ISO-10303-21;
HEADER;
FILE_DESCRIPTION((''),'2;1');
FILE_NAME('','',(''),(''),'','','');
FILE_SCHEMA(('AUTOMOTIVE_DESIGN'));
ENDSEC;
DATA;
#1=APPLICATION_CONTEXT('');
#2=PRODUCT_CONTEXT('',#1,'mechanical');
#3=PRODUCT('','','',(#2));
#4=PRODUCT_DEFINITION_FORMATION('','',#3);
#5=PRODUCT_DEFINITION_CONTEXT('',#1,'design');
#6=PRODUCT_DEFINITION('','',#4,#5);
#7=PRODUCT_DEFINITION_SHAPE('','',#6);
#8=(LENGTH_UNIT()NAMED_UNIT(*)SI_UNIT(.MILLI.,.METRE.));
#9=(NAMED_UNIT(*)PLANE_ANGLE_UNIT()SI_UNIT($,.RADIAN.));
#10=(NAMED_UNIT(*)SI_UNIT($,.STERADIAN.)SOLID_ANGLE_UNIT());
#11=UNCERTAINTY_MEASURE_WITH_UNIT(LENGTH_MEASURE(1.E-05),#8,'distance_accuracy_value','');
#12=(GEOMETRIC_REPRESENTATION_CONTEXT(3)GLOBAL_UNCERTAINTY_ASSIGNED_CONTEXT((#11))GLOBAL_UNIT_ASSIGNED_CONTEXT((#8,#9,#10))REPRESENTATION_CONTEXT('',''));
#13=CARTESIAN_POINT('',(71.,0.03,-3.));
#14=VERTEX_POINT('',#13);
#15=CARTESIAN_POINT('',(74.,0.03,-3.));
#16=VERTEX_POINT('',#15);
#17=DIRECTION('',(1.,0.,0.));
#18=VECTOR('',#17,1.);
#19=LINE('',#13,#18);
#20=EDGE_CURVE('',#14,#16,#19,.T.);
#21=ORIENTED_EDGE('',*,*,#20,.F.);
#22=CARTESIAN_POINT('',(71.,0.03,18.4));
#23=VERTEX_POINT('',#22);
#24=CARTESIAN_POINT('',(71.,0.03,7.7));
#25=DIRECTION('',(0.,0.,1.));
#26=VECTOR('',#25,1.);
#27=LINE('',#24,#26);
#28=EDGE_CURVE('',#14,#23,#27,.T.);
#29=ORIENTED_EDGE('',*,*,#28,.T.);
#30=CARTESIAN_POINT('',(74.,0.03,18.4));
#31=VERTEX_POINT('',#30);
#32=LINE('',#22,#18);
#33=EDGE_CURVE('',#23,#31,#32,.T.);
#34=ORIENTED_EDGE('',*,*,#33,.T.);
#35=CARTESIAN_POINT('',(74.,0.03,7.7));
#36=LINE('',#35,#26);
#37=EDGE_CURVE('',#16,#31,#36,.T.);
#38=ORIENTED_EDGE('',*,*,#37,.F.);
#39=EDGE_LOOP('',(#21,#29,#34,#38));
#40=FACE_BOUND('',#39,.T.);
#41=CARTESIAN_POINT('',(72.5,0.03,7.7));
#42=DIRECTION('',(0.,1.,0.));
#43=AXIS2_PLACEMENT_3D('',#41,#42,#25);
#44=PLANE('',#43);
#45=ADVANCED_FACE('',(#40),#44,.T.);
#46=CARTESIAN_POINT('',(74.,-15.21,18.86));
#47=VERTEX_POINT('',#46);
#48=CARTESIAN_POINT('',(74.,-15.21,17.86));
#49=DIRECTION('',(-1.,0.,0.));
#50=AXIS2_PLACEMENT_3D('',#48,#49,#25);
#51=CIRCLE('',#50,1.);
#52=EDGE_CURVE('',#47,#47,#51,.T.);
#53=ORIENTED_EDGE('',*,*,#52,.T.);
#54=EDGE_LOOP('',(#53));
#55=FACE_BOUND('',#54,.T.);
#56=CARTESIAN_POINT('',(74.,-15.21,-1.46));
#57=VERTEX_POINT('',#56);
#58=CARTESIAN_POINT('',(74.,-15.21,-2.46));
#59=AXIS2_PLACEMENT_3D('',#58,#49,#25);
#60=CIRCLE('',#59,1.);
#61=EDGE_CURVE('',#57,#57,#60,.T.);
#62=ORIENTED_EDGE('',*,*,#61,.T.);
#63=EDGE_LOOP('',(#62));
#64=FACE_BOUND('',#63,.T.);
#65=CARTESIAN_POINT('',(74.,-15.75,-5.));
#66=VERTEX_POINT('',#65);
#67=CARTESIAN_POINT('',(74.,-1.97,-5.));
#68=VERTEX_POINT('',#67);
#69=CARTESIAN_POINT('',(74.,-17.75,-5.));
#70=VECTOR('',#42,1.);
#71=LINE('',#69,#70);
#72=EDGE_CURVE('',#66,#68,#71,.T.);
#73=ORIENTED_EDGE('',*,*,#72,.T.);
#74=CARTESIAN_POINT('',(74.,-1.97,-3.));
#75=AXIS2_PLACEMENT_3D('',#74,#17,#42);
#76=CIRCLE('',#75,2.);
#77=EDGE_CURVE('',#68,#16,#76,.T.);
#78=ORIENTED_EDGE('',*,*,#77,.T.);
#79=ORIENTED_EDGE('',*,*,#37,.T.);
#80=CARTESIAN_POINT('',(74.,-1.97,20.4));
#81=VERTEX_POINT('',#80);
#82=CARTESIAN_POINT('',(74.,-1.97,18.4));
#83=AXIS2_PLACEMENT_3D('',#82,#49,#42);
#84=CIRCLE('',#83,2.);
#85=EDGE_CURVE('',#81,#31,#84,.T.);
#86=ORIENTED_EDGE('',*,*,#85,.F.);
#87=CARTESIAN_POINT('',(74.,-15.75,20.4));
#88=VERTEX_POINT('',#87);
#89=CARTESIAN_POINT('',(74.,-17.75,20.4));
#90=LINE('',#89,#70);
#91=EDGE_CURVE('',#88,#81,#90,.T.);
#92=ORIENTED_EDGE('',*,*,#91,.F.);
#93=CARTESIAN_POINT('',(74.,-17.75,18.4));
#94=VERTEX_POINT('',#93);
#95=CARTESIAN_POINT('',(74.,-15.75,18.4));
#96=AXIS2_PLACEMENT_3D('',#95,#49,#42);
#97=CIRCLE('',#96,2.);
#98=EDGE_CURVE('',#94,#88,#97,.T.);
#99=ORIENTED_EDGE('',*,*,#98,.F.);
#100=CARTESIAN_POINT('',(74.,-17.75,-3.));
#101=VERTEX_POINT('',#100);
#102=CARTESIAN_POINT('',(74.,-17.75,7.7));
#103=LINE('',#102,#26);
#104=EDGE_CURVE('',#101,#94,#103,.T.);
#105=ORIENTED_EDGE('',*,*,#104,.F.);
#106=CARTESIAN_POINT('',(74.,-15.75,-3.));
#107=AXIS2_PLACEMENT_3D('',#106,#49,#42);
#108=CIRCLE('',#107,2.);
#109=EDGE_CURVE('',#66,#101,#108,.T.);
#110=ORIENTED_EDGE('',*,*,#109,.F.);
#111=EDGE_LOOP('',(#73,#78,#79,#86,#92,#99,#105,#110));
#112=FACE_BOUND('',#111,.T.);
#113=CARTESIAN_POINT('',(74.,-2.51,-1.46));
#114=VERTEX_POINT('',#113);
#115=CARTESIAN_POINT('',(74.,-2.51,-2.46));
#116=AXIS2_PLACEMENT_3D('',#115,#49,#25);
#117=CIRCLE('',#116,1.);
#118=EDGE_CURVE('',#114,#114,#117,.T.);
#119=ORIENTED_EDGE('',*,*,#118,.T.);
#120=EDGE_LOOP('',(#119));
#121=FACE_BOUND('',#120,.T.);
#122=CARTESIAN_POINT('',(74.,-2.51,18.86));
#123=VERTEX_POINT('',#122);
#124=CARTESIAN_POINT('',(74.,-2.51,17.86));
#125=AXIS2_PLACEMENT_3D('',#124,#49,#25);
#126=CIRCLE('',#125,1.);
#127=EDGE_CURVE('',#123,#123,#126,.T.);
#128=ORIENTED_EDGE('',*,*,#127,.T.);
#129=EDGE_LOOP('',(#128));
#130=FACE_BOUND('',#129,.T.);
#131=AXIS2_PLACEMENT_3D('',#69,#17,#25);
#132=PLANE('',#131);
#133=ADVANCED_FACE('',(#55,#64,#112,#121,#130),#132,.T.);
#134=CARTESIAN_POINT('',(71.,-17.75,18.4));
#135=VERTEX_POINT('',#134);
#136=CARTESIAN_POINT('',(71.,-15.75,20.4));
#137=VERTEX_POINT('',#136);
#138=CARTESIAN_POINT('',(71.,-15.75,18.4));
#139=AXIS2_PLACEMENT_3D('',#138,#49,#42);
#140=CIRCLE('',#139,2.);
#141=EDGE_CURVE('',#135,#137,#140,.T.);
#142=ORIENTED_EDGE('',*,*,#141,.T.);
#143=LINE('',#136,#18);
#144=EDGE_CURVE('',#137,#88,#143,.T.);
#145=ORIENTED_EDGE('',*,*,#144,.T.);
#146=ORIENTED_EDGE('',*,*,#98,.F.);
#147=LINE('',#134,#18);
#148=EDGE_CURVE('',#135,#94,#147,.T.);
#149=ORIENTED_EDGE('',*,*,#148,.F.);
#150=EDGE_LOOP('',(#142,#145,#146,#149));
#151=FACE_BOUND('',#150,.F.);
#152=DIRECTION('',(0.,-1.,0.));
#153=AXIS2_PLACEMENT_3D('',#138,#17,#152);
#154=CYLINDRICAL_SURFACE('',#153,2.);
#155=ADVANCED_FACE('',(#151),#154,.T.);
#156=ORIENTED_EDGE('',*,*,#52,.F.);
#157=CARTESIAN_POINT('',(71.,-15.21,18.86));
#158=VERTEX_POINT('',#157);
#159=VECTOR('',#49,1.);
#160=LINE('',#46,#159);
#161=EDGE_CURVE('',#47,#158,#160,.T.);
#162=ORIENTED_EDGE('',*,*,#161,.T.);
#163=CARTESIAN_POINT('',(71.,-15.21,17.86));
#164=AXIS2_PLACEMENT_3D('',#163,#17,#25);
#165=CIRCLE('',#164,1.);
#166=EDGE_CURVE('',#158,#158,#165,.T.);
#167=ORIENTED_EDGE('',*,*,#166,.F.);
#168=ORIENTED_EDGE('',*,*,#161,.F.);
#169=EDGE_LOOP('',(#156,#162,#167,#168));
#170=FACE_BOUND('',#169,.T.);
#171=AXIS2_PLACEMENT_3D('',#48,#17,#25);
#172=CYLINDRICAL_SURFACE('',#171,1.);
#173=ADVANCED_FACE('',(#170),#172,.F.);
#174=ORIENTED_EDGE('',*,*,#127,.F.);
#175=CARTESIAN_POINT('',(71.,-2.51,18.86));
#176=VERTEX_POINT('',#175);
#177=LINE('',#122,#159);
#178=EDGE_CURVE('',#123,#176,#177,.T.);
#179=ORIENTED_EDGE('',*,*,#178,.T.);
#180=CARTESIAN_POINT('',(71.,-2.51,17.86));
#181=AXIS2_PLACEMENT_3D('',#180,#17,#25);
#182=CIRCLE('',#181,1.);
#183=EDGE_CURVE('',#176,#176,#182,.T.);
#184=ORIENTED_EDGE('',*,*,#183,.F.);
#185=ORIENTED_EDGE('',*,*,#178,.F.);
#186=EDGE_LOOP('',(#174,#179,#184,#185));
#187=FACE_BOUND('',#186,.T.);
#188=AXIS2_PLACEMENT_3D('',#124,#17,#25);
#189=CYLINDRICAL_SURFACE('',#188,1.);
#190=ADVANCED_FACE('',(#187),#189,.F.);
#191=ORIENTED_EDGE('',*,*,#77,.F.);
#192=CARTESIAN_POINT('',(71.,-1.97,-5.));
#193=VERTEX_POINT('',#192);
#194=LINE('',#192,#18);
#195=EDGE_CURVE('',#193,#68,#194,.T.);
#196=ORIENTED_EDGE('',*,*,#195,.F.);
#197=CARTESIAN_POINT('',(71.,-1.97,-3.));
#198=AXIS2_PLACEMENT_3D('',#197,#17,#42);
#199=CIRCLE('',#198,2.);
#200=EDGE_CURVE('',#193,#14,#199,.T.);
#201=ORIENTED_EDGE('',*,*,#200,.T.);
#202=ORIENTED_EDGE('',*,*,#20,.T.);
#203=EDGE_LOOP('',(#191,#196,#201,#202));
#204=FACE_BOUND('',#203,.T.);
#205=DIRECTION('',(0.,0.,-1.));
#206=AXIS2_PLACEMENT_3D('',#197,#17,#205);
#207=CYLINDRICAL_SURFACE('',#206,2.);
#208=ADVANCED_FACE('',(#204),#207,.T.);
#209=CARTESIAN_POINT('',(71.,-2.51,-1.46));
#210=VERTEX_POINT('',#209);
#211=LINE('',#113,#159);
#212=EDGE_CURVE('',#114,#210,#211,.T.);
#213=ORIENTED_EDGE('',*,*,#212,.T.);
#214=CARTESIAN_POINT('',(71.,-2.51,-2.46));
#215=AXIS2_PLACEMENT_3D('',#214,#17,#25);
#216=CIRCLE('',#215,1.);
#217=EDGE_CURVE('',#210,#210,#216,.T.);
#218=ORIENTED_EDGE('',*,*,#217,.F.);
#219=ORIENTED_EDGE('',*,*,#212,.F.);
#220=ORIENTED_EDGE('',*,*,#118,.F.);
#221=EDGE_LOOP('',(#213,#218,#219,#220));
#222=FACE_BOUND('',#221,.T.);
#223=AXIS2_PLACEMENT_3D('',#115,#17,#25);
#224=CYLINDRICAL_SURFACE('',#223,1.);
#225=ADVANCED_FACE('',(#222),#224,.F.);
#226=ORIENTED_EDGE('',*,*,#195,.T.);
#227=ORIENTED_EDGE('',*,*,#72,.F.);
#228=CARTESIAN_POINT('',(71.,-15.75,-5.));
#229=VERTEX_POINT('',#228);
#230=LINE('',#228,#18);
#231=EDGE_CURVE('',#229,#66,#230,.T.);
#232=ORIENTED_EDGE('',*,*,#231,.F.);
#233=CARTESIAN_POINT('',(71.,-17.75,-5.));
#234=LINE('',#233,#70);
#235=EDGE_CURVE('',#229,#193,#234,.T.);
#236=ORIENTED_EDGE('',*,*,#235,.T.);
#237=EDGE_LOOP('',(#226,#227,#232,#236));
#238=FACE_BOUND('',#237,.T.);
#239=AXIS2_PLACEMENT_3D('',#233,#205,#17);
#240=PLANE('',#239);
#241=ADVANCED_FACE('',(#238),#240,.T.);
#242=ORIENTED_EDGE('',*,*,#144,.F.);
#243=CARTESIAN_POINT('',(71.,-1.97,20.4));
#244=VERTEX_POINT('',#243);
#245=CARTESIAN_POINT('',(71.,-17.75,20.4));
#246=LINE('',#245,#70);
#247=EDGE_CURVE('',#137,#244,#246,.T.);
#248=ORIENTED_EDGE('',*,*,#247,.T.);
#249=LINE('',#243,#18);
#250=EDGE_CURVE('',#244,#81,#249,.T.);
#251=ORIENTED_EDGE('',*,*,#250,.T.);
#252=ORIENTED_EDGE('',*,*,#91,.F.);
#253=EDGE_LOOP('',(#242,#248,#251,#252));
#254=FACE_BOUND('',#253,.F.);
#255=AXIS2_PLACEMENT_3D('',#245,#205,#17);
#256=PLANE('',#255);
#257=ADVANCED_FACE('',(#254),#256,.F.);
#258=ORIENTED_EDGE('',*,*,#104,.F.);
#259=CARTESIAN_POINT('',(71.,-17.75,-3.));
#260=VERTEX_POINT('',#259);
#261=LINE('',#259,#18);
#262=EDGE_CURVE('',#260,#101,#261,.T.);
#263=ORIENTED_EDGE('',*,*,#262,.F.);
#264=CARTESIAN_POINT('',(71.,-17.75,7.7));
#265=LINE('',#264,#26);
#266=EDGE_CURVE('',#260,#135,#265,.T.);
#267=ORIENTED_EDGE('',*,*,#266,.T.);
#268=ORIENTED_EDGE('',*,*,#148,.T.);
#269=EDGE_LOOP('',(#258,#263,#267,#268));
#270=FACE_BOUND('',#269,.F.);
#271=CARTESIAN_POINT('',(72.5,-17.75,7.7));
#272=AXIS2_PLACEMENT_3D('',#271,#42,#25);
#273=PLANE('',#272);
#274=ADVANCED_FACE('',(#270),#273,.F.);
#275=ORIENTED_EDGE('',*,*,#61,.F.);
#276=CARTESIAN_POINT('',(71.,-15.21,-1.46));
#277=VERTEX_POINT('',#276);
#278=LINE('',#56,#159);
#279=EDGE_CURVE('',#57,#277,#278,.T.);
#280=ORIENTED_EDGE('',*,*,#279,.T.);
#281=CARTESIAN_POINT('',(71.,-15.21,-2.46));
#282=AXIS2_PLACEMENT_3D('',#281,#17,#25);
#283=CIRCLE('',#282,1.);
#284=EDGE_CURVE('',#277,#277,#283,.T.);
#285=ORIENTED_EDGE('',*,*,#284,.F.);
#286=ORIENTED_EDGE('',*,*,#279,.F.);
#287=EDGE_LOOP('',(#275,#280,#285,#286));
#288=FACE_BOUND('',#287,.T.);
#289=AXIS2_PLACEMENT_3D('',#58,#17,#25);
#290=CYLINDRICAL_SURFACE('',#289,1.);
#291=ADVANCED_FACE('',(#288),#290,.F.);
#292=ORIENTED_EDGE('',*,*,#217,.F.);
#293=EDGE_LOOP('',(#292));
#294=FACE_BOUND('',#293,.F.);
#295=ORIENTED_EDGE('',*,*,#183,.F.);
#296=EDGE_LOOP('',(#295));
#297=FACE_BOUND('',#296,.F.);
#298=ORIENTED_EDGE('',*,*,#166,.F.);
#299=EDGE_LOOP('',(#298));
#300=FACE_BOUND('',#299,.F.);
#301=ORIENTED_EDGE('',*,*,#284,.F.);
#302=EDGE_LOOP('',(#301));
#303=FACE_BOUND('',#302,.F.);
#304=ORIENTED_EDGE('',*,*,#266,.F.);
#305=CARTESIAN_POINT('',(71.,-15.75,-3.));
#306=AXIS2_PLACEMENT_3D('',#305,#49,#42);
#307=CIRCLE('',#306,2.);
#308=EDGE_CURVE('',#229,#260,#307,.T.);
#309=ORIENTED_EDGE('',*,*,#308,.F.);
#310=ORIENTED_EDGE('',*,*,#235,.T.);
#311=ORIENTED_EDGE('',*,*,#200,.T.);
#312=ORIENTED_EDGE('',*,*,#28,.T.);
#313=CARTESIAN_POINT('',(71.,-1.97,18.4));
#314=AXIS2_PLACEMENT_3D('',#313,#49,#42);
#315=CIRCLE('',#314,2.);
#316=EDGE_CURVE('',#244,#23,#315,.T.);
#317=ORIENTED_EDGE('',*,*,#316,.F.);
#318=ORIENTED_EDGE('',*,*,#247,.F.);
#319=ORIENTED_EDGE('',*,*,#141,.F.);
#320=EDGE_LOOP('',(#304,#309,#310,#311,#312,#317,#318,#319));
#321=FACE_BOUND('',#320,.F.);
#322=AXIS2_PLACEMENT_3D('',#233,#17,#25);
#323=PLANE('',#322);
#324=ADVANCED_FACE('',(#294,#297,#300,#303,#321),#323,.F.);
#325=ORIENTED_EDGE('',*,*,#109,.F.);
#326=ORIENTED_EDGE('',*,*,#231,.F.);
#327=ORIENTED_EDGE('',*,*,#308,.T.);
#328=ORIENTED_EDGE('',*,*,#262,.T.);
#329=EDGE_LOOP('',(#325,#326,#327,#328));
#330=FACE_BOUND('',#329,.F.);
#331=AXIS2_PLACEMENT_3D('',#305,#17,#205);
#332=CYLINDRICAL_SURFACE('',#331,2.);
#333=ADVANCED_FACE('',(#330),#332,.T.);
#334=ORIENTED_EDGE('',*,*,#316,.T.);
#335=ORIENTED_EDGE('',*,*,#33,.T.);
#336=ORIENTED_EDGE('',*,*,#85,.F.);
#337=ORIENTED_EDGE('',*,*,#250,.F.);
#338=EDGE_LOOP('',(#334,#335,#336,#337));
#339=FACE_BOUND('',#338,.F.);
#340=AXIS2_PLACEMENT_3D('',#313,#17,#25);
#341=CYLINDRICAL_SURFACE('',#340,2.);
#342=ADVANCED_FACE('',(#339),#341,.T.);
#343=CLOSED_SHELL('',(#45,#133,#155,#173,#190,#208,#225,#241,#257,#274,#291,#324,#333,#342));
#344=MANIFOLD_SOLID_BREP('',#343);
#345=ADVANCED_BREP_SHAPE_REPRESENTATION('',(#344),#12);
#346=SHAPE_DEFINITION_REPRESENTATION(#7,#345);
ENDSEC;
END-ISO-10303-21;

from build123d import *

# Parameters (mm, degrees)
CYLINDER004_R             = 1
CYLINDER004_DEPTH         = 10
CYLINDER005_R             = 1
CYLINDER005_DEPTH         = 10
CYLINDER006_R             = 1
CYLINDER006_DEPTH         = 10
CYLINDER007_R             = 1
CYLINDER007_DEPTH         = 10
BOX003_W                  = 25.4
BOX003_H                  = 3
BOX003_DEPTH              = 17.78
FILLET_R                  = 2
FILLET001_R               = 2
FILLET002_R               = 2
FILLET003_R               = 2
FILLET003_PITCH_ANGLE     = -90
FILLET003_PLACEMENT_ANGLE = -90


with BuildPart() as cylinder004:
    # Cylinder004 → Cylinder004 (new body)
    with BuildSketch(Plane(origin=(2.54, 0, 2.54), x_dir=(1, 0, 0), z_dir=(0, -1, 0))):
        Circle(CYLINDER004_R)
    extrude(amount=CYLINDER004_DEPTH)


with BuildPart() as fusion011:
    # Cylinder005 → Cylinder005 (new body)
    with BuildSketch(Plane(origin=(2.54, 0, 15.24), x_dir=(1, 0, 0), z_dir=(0, -1, 0))):
        Circle(CYLINDER005_R)
    extrude(amount=CYLINDER005_DEPTH)

    # Fusion011: union Cylinder004
    add(cylinder004.part)


with BuildPart() as cylinder006:
    # Cylinder006 → Cylinder006 (new body)
    with BuildSketch(Plane(origin=(2.54, 0, 2.54), x_dir=(1, 0, 0), z_dir=(0, -1, 0))):
        Circle(CYLINDER006_R)
    extrude(amount=CYLINDER006_DEPTH)


with BuildPart() as fusion013:
    # Cylinder007 → Cylinder007 (new body)
    with BuildSketch(Plane(origin=(2.54, 0, 15.24), x_dir=(1, 0, 0), z_dir=(0, -1, 0))):
        Circle(CYLINDER007_R)
    extrude(amount=CYLINDER007_DEPTH)

    # Fusion012: union Cylinder006
    add(cylinder006.part)


with BuildPart() as fusion013_1:
    # Fusion012 placement: moved
    add(fusion013.part.moved(Location((20.32, 0, 0))))

    # Fusion013: union Fusion011
    add(fusion011.part)


with BuildPart() as fusion013_2:
    # Fusion013 placement: moved
    add(fusion013_1.part.moved(Location((0, 3, 0))))


with BuildPart() as bme280adafruit:
    # Box003 → Box003 (new body)
    with BuildSketch(Plane.XY):
        with Locations((12.7, 1.5)):
            Rectangle(BOX003_W, BOX003_H)
    extrude(amount=BOX003_DEPTH)

    # Cut: cut Fusion013
    add(fusion013_2.part, mode=Mode.SUBTRACT)

    # Fillet
    fillet_edges = [bme280adafruit.edges().sort_by_distance(p)[0] for p in [
        (0, 1.5, 17.78),
    ]]
    fillet(fillet_edges, radius=FILLET_R)

    # Fillet001
    fillet001_edges = [bme280adafruit.edges().sort_by_distance(p)[0] for p in [
        (0, 1.5, 0),
    ]]
    fillet(fillet001_edges, radius=FILLET001_R)

    # Fillet002
    fillet002_edges = [bme280adafruit.edges().sort_by_distance(p)[0] for p in [
        (25.4, 1.5, 0),
    ]]
    fillet(fillet002_edges, radius=FILLET002_R)

    # Fillet003
    fillet003_edges = [bme280adafruit.edges().sort_by_distance(p)[0] for p in [
        (25.4, 1.5, 17.78),
    ]]
    fillet(fillet003_edges, radius=FILLET003_R)


with BuildPart() as bme280adafruit_1:
    # Fillet003 pitch: moved
    add(bme280adafruit.part.rotate(Axis((0, 0, 0), (0, 1, 0)), FILLET003_PITCH_ANGLE))


with BuildPart() as bme280adafruit_2:
    # Fillet003 placement: moved
    add(bme280adafruit_1.part.moved(Location((71, -17.75, -5))).rotate(Axis((71, -17.75, -5), (0, 0, 1)), FILLET003_PLACEMENT_ANGLE))


solid = bme280adafruit_2.part
